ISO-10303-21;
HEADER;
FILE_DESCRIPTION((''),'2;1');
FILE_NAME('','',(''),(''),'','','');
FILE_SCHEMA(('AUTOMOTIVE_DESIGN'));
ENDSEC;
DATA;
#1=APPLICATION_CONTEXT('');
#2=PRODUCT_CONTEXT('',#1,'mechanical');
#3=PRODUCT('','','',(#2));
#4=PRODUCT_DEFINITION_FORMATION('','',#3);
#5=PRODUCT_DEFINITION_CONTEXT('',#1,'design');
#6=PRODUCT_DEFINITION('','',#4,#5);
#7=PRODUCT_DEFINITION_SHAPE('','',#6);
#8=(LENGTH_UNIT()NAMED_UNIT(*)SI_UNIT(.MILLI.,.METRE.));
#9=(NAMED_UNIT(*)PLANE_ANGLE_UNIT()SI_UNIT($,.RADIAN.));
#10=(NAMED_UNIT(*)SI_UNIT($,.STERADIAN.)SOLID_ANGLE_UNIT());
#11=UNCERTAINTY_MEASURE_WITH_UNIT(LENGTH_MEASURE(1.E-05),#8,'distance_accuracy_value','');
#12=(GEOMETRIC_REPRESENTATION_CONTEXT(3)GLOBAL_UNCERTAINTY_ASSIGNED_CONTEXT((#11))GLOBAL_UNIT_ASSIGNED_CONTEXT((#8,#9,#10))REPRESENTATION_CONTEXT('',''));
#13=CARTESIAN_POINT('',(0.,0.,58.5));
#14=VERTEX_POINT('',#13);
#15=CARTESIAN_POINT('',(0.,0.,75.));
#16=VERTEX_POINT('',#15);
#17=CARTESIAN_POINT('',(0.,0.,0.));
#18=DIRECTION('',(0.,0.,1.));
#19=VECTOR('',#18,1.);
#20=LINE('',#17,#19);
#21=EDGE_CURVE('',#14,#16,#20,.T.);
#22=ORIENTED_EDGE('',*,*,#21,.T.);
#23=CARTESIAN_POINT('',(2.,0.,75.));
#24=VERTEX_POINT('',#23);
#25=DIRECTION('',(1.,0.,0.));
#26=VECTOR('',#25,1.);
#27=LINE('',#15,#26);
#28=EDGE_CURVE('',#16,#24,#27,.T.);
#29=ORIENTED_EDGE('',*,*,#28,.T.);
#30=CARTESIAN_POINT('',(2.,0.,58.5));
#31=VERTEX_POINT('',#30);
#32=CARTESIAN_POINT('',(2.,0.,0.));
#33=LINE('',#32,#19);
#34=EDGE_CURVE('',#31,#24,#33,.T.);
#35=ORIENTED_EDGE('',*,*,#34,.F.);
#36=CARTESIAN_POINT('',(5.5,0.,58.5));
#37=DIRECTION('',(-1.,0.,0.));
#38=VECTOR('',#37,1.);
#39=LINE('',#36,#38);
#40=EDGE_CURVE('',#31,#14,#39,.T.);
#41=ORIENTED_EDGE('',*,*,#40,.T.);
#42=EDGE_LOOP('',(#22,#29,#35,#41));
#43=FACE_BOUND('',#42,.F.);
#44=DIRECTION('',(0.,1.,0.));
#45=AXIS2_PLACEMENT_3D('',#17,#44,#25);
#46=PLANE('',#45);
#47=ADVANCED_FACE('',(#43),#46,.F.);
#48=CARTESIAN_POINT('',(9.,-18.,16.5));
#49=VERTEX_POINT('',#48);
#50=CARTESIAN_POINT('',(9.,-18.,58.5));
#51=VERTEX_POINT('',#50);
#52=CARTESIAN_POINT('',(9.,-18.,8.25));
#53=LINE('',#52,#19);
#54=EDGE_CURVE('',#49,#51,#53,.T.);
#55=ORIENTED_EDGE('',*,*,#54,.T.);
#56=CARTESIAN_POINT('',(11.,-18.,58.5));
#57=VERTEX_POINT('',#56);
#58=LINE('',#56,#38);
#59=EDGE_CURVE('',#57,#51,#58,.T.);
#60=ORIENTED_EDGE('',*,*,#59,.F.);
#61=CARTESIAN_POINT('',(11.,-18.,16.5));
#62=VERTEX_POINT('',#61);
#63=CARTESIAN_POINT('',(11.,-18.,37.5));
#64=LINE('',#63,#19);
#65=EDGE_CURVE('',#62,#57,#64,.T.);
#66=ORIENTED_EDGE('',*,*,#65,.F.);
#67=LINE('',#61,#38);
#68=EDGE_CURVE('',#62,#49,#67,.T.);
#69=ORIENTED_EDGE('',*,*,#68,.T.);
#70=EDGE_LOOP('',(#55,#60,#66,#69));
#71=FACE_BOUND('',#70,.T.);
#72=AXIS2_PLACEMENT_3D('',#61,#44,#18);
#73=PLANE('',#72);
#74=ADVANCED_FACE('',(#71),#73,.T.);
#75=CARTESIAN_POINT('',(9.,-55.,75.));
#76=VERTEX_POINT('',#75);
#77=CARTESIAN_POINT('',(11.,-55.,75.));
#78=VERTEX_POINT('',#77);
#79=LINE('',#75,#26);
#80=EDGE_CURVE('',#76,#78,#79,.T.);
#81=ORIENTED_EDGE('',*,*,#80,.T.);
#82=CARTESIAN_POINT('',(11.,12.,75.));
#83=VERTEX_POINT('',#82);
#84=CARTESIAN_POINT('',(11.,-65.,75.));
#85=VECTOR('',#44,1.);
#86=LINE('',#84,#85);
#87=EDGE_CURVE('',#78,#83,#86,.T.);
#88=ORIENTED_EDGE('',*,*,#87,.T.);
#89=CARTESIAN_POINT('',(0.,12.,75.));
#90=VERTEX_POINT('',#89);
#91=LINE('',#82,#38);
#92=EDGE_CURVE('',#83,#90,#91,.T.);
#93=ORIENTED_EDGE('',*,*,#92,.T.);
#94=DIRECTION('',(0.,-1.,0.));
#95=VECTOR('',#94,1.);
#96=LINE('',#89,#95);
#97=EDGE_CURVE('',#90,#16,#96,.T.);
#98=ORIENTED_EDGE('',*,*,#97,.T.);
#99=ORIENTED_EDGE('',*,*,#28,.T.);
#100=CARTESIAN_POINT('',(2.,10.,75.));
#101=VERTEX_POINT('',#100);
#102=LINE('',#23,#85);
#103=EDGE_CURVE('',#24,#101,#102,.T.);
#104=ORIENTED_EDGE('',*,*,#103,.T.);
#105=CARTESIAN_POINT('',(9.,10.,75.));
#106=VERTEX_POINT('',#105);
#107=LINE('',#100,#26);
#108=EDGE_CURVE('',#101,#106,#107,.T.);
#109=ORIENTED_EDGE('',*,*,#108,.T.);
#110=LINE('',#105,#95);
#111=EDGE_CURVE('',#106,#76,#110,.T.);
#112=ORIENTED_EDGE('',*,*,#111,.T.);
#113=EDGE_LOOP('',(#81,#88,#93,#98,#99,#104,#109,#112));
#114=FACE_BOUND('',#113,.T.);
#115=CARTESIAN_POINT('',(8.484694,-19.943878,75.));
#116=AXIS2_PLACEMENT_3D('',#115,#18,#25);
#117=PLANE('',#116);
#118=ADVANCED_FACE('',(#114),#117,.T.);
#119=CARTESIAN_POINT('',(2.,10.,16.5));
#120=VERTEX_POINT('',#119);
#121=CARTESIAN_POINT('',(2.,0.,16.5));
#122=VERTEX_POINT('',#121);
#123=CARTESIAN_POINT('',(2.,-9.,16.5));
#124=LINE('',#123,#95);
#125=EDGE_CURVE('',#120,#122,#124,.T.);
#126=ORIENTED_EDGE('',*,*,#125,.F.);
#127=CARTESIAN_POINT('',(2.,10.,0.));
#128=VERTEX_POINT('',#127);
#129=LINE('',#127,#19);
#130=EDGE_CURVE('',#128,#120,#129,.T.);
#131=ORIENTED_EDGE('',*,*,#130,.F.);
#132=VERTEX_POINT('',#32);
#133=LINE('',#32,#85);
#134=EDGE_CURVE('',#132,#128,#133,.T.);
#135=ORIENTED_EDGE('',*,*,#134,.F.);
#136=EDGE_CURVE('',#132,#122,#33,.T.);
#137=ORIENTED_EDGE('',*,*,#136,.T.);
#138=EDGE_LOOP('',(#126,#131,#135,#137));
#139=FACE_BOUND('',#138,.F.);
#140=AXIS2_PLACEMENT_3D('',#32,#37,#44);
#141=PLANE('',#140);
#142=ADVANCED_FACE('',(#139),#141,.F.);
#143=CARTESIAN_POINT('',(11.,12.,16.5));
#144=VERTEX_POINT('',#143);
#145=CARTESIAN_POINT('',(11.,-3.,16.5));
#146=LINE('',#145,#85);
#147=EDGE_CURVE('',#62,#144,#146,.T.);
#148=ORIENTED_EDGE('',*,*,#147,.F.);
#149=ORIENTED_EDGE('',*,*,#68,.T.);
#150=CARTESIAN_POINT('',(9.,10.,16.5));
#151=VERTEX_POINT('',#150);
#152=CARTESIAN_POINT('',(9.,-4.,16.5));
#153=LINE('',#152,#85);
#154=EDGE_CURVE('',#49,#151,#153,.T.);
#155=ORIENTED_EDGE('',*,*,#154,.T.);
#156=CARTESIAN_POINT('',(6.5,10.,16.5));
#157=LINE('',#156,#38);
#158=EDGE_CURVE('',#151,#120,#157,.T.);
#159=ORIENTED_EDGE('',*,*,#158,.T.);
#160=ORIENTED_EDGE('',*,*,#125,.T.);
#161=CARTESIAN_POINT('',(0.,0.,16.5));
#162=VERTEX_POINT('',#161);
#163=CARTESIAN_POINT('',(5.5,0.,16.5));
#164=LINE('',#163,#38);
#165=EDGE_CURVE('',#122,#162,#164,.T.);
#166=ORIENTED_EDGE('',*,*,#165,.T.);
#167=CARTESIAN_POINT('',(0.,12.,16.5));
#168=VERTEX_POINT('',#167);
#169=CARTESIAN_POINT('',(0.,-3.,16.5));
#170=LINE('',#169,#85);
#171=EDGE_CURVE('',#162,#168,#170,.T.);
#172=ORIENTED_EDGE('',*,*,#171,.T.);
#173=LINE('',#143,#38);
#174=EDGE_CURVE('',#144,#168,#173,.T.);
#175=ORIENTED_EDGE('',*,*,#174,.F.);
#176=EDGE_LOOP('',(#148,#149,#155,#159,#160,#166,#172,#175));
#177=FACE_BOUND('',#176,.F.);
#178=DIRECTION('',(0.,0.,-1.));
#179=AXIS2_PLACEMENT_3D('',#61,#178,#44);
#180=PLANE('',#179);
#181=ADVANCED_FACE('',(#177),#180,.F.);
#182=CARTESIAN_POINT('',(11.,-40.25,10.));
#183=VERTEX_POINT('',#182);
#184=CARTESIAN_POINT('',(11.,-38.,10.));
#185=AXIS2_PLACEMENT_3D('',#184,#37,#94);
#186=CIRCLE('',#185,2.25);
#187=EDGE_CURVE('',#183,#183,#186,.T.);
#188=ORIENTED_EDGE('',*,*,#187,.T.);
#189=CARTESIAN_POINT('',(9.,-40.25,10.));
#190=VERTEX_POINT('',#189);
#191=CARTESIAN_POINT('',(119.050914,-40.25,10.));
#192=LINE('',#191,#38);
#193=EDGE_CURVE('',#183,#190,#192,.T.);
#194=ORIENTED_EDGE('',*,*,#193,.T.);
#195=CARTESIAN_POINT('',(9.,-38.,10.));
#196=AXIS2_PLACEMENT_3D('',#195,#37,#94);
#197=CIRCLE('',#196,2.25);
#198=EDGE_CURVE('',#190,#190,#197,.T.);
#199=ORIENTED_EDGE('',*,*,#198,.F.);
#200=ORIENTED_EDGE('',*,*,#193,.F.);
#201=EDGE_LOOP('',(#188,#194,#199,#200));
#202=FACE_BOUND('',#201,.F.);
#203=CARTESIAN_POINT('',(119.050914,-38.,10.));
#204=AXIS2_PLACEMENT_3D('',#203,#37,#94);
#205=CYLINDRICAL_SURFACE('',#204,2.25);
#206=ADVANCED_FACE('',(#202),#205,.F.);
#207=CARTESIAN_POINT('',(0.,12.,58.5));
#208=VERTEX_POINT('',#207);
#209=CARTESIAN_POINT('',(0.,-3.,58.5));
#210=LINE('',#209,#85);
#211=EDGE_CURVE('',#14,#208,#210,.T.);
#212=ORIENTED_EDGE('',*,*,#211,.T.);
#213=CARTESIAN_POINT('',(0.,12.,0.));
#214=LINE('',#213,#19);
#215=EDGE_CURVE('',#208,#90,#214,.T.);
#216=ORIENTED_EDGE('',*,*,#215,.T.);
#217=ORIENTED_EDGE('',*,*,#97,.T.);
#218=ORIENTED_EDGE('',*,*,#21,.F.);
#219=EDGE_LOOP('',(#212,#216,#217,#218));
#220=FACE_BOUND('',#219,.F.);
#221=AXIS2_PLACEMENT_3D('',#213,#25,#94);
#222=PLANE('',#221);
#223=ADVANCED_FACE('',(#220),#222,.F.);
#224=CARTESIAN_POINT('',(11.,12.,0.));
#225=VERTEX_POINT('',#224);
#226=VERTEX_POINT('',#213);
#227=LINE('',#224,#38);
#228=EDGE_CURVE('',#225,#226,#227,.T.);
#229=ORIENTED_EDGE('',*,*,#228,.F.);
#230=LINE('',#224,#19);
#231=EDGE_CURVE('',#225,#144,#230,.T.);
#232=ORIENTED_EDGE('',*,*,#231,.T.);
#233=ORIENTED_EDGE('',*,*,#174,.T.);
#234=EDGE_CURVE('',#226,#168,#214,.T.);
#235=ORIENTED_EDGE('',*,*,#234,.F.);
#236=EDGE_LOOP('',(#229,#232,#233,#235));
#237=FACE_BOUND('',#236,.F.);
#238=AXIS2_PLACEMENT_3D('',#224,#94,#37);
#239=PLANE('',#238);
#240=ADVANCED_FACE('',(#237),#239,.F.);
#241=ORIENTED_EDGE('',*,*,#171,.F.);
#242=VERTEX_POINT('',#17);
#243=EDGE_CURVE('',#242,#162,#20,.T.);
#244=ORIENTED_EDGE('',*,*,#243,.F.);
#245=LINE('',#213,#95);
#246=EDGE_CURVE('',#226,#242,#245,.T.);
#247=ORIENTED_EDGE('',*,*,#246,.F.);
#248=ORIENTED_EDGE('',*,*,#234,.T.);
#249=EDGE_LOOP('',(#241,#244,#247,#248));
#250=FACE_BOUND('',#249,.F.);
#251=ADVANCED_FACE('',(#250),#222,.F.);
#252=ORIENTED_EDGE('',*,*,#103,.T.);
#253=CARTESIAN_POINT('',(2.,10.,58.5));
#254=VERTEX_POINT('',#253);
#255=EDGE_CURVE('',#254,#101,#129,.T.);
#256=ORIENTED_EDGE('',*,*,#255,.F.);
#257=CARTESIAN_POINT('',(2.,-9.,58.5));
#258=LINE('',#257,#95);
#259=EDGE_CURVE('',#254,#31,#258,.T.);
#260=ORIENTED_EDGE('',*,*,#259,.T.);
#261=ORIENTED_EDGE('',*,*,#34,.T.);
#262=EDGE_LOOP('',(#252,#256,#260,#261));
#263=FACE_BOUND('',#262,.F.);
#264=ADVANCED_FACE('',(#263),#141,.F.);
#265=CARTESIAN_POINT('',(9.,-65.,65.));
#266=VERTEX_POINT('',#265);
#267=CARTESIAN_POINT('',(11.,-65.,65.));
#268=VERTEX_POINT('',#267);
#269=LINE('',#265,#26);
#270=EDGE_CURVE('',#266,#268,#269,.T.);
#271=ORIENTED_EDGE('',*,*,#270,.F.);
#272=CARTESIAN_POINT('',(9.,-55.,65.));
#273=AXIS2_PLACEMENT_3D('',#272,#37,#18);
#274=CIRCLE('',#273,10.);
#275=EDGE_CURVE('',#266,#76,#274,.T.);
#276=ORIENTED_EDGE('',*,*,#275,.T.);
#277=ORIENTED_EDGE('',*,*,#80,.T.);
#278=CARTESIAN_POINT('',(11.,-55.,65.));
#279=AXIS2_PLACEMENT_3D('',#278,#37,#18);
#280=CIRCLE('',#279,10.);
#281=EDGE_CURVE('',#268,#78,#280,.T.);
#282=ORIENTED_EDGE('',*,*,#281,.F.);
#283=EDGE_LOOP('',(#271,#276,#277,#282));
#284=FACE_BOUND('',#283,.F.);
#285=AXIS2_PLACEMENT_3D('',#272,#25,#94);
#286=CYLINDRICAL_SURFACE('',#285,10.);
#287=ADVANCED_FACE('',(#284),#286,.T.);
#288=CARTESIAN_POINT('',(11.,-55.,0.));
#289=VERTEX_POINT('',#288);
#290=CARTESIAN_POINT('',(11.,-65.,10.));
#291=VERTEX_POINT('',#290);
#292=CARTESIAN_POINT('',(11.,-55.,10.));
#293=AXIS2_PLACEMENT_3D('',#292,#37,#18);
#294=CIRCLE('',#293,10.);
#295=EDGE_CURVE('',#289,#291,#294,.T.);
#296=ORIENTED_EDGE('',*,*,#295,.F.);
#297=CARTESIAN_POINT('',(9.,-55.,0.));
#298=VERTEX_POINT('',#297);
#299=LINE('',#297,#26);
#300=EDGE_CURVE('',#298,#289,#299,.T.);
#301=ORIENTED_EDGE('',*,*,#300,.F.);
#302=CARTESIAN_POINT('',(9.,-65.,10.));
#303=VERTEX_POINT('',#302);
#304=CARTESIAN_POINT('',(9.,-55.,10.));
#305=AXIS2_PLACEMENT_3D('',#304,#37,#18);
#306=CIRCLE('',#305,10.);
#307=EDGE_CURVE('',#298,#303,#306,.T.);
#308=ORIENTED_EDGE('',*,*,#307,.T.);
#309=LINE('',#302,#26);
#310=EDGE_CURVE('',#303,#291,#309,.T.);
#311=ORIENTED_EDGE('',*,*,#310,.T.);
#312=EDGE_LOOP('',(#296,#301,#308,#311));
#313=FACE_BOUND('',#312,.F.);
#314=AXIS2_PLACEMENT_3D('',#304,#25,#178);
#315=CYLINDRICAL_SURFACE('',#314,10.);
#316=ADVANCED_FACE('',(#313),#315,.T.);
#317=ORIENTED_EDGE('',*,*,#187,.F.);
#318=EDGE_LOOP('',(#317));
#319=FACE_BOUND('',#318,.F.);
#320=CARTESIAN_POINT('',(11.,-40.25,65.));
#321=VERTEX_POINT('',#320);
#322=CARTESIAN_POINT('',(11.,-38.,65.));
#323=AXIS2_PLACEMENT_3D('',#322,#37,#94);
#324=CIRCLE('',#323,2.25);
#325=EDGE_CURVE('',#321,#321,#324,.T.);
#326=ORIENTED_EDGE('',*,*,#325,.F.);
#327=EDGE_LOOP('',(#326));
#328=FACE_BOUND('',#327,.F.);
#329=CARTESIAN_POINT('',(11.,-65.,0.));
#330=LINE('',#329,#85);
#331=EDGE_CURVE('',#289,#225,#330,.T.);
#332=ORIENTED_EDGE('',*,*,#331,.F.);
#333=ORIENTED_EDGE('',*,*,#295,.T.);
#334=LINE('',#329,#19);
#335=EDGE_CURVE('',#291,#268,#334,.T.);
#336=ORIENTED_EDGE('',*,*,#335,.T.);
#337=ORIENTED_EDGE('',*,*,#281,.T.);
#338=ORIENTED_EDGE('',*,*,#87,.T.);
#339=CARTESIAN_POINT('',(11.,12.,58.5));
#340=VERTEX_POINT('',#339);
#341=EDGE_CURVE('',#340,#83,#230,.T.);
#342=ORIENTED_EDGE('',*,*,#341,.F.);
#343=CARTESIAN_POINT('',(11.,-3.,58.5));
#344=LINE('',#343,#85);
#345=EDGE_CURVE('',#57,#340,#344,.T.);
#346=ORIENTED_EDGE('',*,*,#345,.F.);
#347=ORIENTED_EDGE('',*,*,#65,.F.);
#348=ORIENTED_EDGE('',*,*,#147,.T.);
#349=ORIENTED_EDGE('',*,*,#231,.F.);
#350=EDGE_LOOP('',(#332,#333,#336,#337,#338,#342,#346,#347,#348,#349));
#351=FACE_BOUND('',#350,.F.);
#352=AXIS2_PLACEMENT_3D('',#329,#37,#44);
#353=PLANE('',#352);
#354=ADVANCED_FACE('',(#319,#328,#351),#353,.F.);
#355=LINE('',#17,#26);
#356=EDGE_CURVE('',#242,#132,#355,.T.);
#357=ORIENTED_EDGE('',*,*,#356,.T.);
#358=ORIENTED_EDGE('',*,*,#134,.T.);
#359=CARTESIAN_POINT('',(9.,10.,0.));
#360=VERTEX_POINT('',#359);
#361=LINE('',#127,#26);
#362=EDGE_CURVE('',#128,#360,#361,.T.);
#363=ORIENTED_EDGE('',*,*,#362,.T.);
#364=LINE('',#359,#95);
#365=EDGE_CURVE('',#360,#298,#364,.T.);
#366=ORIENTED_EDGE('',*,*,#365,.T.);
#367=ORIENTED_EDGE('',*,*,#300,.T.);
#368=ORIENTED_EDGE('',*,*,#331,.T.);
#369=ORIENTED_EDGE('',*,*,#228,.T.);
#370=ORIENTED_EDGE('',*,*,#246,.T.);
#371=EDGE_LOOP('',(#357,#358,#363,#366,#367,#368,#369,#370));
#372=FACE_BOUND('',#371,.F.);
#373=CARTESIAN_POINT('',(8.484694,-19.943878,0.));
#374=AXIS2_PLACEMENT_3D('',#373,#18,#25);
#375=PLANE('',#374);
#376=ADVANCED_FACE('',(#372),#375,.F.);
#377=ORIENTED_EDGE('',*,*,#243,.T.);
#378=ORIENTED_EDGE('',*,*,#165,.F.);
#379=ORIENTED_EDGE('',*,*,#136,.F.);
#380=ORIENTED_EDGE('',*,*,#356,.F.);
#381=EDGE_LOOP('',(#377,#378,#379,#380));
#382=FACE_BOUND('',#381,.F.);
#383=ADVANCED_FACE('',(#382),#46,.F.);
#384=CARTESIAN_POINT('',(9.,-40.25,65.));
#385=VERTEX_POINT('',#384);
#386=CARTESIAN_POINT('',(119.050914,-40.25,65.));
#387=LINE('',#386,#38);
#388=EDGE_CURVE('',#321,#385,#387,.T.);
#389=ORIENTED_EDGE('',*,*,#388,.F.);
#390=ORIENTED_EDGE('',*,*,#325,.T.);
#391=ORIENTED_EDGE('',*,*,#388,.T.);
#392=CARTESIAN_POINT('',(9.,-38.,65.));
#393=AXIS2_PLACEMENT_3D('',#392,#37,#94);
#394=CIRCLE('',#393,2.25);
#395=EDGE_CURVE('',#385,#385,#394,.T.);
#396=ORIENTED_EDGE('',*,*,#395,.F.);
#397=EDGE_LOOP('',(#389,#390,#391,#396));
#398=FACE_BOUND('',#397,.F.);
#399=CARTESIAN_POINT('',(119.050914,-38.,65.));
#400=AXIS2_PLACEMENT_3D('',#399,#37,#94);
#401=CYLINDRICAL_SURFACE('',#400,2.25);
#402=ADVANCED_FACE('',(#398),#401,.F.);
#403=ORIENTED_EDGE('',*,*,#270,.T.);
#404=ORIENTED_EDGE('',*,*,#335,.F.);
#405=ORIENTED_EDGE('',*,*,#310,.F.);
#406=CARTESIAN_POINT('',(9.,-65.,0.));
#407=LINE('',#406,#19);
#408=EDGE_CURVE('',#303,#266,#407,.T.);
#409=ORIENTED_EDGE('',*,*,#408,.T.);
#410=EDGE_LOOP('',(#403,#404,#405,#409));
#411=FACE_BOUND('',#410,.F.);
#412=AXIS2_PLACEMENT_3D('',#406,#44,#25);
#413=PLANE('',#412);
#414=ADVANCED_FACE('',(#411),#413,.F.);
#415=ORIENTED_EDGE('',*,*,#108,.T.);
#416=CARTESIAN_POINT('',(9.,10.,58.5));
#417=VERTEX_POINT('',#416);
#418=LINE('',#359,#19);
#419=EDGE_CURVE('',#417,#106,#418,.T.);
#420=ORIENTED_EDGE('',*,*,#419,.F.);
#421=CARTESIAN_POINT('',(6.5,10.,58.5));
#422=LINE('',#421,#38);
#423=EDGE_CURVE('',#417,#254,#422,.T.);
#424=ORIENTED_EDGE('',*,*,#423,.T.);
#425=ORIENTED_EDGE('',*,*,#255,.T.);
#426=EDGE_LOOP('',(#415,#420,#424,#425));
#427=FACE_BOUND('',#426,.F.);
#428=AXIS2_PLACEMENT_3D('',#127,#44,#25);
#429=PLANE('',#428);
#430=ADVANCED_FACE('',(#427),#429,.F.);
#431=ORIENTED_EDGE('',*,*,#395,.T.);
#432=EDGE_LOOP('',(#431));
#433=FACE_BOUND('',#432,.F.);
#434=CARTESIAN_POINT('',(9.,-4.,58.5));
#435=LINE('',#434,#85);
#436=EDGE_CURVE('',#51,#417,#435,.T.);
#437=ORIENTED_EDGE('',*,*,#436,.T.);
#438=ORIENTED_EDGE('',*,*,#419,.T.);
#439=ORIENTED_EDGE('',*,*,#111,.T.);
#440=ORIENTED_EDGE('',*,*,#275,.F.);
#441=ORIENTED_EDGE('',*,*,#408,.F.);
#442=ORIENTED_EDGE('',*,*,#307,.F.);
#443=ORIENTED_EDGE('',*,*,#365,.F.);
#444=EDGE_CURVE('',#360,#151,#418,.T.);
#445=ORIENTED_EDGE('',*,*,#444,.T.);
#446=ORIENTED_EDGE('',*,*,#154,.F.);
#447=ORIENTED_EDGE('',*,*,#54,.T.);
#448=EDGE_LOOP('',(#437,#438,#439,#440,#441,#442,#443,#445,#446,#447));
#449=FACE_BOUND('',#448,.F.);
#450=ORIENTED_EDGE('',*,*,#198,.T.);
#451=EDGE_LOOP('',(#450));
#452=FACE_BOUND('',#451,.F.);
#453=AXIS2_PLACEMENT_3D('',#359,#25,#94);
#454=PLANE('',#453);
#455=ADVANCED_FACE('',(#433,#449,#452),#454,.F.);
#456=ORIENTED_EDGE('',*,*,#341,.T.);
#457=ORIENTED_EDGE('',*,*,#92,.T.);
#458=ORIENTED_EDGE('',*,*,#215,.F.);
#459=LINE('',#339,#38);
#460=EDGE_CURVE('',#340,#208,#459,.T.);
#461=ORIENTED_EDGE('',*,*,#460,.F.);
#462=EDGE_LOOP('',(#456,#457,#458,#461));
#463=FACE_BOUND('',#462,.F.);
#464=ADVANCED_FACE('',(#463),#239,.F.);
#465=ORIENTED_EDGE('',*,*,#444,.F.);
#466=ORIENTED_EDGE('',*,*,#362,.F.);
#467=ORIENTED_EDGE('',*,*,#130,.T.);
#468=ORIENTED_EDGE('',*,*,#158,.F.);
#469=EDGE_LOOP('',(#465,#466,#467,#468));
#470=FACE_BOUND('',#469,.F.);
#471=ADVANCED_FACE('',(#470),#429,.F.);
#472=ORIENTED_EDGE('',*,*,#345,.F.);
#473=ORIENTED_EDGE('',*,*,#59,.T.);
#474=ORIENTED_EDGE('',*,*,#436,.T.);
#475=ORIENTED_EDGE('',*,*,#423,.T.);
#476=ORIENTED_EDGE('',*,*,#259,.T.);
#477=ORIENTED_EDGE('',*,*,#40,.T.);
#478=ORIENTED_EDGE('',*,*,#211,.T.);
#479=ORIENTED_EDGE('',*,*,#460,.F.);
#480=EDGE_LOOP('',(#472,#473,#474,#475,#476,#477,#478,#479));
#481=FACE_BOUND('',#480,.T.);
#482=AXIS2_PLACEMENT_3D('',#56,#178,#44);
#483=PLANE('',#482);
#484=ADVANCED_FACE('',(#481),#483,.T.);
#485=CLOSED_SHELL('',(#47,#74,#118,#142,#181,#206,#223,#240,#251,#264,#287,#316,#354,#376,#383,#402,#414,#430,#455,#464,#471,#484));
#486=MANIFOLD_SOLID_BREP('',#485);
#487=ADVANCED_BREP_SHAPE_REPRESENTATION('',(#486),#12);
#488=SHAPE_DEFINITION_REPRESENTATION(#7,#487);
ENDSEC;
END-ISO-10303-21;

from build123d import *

# Parameters (mm, degrees)
F3_DEPTH = 75
F4_W     = 30
F4_H     = 42
F5_DEPTH = 25
F6_D     = 4.5
F7_R     = 10


with BuildPart() as f3:
    # F2 (on Top) → F3 (new body)
    with BuildSketch(Plane.XY):
        Polygon((0, 0), (2, 0), (2, 10), (9, 10), (9, -65), (11, -65), (11, 12), (0, 12), align=None)
    extrude(amount=F3_DEPTH)

    # F4 (on face) → F5 (cut)
    with BuildSketch(Plane.YZ.offset(11)):
        with Locations((-3, 37.5)):
            Rectangle(F4_W, F4_H)
    extrude(amount=-F5_DEPTH, mode=Mode.SUBTRACT)

    # F6 (through all)
    with Locations(Plane.YZ.offset(11)):
        with Locations((-38, 65), (-38, 10)):
            Hole(F6_D / 2)

    # F7
    f7_edges = [f3.edges().sort_by_distance(p)[0] for p in [
        (10, -65, 0),
        (10, -65, 75),
    ]]
    fillet(f7_edges, radius=F7_R)


solid = f3.part
